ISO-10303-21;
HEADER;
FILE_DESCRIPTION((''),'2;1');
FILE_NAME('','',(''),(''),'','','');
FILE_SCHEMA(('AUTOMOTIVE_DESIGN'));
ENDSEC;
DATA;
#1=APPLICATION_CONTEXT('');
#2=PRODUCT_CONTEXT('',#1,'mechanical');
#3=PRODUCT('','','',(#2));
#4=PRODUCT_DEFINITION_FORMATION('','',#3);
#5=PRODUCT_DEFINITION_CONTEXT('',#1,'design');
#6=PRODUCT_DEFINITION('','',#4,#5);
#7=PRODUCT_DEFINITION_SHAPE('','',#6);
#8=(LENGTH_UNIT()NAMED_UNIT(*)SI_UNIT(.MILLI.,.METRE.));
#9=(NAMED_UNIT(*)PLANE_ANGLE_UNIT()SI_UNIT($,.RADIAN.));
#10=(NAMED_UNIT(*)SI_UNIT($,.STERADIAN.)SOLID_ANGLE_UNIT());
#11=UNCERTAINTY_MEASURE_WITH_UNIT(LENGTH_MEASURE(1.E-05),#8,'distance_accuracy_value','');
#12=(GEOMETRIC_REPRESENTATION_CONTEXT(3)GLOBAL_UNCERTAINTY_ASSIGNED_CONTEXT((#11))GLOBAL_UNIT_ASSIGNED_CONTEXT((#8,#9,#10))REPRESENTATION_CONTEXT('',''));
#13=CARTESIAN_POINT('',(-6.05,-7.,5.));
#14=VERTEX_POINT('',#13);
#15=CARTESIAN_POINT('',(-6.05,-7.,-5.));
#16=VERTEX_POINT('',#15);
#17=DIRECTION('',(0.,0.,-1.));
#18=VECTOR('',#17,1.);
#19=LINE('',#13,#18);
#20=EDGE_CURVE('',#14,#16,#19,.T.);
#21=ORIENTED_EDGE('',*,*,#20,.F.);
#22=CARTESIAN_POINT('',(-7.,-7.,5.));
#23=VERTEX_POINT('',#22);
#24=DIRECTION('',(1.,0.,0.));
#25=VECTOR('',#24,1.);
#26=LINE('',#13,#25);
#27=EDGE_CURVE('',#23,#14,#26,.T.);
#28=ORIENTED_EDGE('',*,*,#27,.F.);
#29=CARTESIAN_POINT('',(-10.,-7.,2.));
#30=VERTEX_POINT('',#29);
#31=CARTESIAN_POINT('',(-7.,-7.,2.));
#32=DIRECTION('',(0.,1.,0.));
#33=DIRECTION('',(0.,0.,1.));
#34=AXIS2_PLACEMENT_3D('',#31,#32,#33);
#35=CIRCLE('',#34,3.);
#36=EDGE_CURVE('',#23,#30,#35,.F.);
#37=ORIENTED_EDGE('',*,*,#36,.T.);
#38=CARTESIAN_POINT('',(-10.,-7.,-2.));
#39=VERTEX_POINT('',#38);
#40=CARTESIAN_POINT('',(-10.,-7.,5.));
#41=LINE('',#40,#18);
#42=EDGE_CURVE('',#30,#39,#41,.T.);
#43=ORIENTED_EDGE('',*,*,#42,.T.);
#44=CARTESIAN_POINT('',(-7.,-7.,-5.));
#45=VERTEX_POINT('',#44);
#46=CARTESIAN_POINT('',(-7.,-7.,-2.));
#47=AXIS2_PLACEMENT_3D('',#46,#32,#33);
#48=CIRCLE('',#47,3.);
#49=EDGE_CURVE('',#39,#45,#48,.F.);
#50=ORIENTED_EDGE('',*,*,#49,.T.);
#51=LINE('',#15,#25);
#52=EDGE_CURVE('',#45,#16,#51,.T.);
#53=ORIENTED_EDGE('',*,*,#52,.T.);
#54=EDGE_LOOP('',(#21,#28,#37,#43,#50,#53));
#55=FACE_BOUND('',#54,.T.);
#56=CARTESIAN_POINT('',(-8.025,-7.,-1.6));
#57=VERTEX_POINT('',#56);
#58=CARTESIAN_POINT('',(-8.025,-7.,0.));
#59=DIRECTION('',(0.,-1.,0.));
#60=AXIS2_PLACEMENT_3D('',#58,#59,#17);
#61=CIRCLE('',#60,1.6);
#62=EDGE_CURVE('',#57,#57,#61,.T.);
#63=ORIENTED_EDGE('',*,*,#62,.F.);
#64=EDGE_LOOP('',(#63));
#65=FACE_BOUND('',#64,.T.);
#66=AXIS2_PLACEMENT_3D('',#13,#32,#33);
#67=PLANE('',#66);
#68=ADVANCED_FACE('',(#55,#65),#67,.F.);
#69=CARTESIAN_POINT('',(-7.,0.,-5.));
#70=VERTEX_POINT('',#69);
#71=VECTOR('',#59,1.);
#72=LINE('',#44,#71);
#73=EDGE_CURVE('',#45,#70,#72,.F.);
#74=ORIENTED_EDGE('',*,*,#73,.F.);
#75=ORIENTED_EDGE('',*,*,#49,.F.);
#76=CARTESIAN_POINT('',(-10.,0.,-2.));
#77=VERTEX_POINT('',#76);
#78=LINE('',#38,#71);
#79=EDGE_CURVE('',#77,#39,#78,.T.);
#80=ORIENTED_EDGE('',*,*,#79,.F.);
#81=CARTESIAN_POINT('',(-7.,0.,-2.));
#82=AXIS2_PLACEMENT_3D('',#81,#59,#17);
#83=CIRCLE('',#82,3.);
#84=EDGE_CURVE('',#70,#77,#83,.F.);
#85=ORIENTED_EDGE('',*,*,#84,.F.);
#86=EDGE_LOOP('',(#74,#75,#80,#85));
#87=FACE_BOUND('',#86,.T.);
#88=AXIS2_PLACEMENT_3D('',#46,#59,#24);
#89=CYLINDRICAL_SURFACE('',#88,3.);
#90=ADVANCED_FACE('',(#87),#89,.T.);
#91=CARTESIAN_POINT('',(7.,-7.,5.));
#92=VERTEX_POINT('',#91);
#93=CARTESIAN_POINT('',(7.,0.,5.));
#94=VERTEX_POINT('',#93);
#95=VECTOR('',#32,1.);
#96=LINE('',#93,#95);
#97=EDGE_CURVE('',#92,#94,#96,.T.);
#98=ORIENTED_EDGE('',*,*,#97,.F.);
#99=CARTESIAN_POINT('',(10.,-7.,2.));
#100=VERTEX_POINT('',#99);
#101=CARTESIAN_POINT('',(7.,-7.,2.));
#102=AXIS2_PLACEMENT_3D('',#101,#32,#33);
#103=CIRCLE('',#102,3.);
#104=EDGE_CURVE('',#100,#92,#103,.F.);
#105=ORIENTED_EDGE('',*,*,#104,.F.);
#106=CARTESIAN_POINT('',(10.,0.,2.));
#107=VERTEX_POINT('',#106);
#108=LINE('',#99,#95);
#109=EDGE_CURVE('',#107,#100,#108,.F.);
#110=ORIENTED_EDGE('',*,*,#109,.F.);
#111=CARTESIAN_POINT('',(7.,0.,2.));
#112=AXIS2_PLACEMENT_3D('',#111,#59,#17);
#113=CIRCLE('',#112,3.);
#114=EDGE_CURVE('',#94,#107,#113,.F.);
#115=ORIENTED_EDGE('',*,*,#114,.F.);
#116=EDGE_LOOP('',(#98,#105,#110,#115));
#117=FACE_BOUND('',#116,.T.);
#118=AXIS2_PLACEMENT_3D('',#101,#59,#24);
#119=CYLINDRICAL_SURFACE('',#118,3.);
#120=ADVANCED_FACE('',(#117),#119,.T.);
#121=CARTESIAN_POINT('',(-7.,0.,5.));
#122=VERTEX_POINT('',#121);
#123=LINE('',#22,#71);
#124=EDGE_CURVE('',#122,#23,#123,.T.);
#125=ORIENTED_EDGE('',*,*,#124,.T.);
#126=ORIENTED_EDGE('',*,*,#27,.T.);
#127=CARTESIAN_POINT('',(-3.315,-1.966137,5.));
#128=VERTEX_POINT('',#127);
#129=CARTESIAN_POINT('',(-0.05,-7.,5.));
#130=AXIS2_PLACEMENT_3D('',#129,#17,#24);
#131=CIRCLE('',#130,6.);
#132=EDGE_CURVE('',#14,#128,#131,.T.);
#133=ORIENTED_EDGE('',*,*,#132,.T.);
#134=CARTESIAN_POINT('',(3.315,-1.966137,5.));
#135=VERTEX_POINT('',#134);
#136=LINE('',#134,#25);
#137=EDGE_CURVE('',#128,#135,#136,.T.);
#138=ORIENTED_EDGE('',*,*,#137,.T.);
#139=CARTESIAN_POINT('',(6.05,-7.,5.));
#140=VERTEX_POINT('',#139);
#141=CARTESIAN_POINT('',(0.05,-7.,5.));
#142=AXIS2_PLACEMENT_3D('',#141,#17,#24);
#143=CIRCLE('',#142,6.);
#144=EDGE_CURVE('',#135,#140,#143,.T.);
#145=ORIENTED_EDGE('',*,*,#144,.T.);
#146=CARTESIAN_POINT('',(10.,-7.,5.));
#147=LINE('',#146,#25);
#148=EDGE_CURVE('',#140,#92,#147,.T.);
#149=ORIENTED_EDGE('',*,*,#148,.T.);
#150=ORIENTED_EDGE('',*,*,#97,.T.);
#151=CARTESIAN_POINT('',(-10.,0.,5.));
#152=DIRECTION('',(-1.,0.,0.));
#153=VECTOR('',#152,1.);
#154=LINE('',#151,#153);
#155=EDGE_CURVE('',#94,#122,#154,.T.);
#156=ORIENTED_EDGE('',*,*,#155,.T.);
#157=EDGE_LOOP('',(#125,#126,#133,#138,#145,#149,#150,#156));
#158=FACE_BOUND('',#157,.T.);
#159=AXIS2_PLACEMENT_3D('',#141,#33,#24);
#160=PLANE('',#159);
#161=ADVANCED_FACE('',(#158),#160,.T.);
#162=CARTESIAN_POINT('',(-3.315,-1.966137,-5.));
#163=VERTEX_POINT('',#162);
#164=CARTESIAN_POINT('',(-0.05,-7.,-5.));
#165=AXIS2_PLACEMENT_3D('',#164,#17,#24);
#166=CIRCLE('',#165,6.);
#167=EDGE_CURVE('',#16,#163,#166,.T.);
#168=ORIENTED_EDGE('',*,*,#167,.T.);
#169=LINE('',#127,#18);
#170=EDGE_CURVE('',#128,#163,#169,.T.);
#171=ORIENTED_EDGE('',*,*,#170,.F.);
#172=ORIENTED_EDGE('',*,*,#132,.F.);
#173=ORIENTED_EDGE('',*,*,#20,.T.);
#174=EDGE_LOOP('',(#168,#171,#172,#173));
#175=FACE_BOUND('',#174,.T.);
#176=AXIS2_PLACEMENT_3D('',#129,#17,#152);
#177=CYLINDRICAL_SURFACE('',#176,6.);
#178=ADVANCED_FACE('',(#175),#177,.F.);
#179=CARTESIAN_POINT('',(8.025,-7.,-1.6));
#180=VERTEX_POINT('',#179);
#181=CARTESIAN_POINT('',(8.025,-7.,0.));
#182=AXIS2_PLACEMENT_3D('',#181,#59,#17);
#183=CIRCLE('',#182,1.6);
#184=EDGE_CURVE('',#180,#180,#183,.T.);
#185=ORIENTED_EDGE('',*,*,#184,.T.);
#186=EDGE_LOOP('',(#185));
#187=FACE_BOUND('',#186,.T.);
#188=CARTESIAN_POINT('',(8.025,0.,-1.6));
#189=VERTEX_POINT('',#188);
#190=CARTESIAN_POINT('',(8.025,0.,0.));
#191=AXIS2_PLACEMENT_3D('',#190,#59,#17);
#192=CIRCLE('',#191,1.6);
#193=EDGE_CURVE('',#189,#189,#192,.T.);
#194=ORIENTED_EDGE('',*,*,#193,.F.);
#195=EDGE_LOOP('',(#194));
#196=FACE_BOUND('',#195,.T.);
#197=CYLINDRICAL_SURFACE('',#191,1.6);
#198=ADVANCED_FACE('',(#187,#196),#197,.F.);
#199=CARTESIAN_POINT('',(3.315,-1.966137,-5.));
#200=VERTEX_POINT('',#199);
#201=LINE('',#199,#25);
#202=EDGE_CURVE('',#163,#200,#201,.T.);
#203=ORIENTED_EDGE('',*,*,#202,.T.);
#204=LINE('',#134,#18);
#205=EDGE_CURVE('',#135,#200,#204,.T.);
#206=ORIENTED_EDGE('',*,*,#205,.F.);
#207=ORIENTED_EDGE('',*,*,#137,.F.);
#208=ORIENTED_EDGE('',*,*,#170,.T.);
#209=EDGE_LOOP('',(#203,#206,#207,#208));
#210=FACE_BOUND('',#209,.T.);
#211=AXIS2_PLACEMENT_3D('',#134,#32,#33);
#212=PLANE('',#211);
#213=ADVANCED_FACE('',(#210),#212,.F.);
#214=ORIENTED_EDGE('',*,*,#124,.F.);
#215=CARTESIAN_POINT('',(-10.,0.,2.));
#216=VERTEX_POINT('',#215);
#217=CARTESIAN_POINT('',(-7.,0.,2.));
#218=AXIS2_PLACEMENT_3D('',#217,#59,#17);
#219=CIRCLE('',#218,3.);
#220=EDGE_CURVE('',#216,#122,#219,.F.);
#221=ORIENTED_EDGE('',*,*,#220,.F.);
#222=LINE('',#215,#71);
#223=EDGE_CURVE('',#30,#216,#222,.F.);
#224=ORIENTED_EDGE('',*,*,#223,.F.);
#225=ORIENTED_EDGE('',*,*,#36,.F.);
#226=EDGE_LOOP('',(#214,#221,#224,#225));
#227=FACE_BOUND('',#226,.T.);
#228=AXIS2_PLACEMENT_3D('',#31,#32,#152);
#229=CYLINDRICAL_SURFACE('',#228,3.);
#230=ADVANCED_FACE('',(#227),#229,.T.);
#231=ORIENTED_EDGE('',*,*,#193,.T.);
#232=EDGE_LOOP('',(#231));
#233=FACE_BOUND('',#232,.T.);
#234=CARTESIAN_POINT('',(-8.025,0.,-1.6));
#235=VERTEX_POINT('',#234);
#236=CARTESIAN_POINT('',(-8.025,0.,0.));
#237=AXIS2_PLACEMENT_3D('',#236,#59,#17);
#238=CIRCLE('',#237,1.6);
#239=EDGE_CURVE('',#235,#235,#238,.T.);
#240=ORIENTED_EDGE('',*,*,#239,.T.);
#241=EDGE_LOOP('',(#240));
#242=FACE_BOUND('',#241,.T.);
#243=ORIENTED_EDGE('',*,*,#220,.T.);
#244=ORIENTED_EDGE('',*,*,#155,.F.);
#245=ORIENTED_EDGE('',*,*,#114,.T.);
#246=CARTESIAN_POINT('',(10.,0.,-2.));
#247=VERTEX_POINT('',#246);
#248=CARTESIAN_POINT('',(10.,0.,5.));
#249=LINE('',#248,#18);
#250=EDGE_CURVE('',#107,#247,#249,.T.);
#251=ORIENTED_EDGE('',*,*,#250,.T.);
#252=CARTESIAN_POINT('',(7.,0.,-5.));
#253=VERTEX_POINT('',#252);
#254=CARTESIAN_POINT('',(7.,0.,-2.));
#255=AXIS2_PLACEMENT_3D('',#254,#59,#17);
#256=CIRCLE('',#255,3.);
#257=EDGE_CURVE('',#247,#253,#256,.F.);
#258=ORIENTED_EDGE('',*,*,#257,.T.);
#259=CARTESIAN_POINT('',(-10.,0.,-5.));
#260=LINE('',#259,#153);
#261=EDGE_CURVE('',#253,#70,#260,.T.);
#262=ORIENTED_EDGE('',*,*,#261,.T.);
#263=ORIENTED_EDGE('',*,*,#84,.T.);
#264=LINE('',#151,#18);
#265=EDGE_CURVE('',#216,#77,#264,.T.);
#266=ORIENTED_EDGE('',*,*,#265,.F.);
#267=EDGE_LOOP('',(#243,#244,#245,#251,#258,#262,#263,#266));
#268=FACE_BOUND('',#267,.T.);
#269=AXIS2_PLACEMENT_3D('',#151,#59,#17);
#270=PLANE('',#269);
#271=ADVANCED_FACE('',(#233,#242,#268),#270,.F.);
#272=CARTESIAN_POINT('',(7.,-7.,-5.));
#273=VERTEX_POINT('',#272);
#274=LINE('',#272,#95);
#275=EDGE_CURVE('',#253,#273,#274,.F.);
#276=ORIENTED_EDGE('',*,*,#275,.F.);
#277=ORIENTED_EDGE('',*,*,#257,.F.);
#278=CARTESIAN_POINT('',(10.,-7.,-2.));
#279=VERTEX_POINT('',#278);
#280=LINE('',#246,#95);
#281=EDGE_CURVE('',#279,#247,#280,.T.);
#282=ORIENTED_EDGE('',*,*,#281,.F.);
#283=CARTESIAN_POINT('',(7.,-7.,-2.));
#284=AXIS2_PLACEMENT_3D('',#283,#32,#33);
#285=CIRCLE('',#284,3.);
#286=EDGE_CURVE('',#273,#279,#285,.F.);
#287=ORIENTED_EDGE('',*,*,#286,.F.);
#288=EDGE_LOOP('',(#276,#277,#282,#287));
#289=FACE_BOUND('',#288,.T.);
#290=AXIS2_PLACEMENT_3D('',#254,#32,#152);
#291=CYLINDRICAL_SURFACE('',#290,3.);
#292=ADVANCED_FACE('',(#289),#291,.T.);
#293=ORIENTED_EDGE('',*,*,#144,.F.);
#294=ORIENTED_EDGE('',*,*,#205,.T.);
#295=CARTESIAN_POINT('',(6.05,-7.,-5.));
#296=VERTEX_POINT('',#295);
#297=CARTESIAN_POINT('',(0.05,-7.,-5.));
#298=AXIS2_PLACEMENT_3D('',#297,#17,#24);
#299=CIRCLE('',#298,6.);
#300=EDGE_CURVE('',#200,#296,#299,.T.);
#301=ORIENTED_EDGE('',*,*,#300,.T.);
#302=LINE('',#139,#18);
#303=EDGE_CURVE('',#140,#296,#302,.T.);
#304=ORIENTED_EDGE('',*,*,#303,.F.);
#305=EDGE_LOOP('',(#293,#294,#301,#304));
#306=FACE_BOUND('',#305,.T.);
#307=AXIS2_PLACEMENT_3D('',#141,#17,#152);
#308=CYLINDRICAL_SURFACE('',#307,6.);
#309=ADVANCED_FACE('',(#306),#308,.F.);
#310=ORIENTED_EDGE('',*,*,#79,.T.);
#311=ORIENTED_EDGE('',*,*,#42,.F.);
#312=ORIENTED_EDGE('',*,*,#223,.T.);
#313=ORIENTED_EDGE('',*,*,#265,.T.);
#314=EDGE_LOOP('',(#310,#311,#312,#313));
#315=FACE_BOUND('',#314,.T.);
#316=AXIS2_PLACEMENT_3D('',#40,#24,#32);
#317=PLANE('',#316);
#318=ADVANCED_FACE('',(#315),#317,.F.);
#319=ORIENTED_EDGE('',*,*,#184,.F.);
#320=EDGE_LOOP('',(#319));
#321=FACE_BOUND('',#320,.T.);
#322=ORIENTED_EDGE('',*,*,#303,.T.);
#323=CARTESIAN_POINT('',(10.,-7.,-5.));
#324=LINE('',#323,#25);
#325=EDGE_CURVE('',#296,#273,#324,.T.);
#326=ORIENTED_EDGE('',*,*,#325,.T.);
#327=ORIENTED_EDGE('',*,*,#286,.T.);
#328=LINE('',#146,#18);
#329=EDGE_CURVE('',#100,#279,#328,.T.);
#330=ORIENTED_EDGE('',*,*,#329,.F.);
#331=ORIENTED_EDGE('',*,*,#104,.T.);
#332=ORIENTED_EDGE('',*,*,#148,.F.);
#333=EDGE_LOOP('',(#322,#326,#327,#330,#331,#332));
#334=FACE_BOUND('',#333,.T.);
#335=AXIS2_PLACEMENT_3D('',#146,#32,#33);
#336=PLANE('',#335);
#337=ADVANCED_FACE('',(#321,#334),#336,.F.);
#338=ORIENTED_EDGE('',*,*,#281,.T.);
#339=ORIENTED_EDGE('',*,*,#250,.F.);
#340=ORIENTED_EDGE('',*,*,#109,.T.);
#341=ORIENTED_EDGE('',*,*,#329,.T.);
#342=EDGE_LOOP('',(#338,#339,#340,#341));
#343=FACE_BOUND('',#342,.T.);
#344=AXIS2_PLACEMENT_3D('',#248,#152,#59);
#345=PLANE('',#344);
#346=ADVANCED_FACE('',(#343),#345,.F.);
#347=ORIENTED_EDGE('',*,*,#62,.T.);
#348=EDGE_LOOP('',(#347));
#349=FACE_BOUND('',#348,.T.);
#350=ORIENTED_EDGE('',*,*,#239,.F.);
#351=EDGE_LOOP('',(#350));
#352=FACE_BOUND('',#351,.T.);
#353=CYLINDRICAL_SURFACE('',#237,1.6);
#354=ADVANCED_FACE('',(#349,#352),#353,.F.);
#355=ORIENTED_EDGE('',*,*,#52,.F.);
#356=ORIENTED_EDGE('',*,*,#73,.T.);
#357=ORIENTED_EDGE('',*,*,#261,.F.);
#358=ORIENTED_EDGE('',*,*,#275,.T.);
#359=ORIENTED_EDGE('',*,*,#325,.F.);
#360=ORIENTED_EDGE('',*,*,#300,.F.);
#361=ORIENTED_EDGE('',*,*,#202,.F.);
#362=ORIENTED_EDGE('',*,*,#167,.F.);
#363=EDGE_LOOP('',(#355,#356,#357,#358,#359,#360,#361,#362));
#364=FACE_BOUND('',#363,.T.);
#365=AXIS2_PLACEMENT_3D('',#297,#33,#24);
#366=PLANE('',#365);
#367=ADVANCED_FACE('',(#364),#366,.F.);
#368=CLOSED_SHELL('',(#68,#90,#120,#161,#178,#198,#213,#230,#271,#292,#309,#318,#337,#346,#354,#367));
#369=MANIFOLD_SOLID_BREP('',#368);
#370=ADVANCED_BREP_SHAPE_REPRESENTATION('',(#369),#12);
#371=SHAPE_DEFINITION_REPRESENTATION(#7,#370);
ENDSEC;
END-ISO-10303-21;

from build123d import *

# Parameters (mm, degrees)
BOSS_EXTRUDE1_DEPTH = 5
SKETCH2_R           = 1.6
CUT_EXTRUDE1_DEPTH  = 14.190905958
FILLET3_R           = 3


with BuildPart() as part:
    # Sketch1 → Boss-Extrude1 (new, symmetric)
    with BuildSketch(Plane.XY):
        with BuildLine():
            Line((-10, 0), (10, 0))
            Line((10, 0), (10, -7))
            Line((10, -7), (6.05, -7))
            ThreePointArc((6.05, -7), (5.322096357, -4.135562883), (3.315, -1.966137169))
            Line((3.315, -1.966137169), (-3.315, -1.966137169))
            ThreePointArc((-3.315, -1.966137169), (-5.322096357, -4.135562883), (-6.05, -7))
            Line((-6.05, -7), (-10, -7))
            Line((-10, -7), (-10, 0))
        make_face()
    extrude(amount=BOSS_EXTRUDE1_DEPTH, both=True)

    # Sketch2 → Cut-Extrude1 (cut, through all)
    with BuildSketch(Plane.XZ.offset(7)):
        with Locations(Location((8.025, 0, 0), (0, 0, 270))):
            Circle(SKETCH2_R)
        with Locations(Location((-8.025, 0, 0), (0, 0, 270))):
            Circle(SKETCH2_R)
    extrude(amount=-CUT_EXTRUDE1_DEPTH, mode=Mode.SUBTRACT)

    # Fillet3
    fillet3_edges = [part.edges().sort_by_distance(p)[0] for p in [
        (-10, -3.5, -5),
        (10, -3.5, -5),
        (-10, -3.5, 5),
        (10, -3.5, 5),
    ]]
    fillet(fillet3_edges, radius=FILLET3_R)


solid = part.part
